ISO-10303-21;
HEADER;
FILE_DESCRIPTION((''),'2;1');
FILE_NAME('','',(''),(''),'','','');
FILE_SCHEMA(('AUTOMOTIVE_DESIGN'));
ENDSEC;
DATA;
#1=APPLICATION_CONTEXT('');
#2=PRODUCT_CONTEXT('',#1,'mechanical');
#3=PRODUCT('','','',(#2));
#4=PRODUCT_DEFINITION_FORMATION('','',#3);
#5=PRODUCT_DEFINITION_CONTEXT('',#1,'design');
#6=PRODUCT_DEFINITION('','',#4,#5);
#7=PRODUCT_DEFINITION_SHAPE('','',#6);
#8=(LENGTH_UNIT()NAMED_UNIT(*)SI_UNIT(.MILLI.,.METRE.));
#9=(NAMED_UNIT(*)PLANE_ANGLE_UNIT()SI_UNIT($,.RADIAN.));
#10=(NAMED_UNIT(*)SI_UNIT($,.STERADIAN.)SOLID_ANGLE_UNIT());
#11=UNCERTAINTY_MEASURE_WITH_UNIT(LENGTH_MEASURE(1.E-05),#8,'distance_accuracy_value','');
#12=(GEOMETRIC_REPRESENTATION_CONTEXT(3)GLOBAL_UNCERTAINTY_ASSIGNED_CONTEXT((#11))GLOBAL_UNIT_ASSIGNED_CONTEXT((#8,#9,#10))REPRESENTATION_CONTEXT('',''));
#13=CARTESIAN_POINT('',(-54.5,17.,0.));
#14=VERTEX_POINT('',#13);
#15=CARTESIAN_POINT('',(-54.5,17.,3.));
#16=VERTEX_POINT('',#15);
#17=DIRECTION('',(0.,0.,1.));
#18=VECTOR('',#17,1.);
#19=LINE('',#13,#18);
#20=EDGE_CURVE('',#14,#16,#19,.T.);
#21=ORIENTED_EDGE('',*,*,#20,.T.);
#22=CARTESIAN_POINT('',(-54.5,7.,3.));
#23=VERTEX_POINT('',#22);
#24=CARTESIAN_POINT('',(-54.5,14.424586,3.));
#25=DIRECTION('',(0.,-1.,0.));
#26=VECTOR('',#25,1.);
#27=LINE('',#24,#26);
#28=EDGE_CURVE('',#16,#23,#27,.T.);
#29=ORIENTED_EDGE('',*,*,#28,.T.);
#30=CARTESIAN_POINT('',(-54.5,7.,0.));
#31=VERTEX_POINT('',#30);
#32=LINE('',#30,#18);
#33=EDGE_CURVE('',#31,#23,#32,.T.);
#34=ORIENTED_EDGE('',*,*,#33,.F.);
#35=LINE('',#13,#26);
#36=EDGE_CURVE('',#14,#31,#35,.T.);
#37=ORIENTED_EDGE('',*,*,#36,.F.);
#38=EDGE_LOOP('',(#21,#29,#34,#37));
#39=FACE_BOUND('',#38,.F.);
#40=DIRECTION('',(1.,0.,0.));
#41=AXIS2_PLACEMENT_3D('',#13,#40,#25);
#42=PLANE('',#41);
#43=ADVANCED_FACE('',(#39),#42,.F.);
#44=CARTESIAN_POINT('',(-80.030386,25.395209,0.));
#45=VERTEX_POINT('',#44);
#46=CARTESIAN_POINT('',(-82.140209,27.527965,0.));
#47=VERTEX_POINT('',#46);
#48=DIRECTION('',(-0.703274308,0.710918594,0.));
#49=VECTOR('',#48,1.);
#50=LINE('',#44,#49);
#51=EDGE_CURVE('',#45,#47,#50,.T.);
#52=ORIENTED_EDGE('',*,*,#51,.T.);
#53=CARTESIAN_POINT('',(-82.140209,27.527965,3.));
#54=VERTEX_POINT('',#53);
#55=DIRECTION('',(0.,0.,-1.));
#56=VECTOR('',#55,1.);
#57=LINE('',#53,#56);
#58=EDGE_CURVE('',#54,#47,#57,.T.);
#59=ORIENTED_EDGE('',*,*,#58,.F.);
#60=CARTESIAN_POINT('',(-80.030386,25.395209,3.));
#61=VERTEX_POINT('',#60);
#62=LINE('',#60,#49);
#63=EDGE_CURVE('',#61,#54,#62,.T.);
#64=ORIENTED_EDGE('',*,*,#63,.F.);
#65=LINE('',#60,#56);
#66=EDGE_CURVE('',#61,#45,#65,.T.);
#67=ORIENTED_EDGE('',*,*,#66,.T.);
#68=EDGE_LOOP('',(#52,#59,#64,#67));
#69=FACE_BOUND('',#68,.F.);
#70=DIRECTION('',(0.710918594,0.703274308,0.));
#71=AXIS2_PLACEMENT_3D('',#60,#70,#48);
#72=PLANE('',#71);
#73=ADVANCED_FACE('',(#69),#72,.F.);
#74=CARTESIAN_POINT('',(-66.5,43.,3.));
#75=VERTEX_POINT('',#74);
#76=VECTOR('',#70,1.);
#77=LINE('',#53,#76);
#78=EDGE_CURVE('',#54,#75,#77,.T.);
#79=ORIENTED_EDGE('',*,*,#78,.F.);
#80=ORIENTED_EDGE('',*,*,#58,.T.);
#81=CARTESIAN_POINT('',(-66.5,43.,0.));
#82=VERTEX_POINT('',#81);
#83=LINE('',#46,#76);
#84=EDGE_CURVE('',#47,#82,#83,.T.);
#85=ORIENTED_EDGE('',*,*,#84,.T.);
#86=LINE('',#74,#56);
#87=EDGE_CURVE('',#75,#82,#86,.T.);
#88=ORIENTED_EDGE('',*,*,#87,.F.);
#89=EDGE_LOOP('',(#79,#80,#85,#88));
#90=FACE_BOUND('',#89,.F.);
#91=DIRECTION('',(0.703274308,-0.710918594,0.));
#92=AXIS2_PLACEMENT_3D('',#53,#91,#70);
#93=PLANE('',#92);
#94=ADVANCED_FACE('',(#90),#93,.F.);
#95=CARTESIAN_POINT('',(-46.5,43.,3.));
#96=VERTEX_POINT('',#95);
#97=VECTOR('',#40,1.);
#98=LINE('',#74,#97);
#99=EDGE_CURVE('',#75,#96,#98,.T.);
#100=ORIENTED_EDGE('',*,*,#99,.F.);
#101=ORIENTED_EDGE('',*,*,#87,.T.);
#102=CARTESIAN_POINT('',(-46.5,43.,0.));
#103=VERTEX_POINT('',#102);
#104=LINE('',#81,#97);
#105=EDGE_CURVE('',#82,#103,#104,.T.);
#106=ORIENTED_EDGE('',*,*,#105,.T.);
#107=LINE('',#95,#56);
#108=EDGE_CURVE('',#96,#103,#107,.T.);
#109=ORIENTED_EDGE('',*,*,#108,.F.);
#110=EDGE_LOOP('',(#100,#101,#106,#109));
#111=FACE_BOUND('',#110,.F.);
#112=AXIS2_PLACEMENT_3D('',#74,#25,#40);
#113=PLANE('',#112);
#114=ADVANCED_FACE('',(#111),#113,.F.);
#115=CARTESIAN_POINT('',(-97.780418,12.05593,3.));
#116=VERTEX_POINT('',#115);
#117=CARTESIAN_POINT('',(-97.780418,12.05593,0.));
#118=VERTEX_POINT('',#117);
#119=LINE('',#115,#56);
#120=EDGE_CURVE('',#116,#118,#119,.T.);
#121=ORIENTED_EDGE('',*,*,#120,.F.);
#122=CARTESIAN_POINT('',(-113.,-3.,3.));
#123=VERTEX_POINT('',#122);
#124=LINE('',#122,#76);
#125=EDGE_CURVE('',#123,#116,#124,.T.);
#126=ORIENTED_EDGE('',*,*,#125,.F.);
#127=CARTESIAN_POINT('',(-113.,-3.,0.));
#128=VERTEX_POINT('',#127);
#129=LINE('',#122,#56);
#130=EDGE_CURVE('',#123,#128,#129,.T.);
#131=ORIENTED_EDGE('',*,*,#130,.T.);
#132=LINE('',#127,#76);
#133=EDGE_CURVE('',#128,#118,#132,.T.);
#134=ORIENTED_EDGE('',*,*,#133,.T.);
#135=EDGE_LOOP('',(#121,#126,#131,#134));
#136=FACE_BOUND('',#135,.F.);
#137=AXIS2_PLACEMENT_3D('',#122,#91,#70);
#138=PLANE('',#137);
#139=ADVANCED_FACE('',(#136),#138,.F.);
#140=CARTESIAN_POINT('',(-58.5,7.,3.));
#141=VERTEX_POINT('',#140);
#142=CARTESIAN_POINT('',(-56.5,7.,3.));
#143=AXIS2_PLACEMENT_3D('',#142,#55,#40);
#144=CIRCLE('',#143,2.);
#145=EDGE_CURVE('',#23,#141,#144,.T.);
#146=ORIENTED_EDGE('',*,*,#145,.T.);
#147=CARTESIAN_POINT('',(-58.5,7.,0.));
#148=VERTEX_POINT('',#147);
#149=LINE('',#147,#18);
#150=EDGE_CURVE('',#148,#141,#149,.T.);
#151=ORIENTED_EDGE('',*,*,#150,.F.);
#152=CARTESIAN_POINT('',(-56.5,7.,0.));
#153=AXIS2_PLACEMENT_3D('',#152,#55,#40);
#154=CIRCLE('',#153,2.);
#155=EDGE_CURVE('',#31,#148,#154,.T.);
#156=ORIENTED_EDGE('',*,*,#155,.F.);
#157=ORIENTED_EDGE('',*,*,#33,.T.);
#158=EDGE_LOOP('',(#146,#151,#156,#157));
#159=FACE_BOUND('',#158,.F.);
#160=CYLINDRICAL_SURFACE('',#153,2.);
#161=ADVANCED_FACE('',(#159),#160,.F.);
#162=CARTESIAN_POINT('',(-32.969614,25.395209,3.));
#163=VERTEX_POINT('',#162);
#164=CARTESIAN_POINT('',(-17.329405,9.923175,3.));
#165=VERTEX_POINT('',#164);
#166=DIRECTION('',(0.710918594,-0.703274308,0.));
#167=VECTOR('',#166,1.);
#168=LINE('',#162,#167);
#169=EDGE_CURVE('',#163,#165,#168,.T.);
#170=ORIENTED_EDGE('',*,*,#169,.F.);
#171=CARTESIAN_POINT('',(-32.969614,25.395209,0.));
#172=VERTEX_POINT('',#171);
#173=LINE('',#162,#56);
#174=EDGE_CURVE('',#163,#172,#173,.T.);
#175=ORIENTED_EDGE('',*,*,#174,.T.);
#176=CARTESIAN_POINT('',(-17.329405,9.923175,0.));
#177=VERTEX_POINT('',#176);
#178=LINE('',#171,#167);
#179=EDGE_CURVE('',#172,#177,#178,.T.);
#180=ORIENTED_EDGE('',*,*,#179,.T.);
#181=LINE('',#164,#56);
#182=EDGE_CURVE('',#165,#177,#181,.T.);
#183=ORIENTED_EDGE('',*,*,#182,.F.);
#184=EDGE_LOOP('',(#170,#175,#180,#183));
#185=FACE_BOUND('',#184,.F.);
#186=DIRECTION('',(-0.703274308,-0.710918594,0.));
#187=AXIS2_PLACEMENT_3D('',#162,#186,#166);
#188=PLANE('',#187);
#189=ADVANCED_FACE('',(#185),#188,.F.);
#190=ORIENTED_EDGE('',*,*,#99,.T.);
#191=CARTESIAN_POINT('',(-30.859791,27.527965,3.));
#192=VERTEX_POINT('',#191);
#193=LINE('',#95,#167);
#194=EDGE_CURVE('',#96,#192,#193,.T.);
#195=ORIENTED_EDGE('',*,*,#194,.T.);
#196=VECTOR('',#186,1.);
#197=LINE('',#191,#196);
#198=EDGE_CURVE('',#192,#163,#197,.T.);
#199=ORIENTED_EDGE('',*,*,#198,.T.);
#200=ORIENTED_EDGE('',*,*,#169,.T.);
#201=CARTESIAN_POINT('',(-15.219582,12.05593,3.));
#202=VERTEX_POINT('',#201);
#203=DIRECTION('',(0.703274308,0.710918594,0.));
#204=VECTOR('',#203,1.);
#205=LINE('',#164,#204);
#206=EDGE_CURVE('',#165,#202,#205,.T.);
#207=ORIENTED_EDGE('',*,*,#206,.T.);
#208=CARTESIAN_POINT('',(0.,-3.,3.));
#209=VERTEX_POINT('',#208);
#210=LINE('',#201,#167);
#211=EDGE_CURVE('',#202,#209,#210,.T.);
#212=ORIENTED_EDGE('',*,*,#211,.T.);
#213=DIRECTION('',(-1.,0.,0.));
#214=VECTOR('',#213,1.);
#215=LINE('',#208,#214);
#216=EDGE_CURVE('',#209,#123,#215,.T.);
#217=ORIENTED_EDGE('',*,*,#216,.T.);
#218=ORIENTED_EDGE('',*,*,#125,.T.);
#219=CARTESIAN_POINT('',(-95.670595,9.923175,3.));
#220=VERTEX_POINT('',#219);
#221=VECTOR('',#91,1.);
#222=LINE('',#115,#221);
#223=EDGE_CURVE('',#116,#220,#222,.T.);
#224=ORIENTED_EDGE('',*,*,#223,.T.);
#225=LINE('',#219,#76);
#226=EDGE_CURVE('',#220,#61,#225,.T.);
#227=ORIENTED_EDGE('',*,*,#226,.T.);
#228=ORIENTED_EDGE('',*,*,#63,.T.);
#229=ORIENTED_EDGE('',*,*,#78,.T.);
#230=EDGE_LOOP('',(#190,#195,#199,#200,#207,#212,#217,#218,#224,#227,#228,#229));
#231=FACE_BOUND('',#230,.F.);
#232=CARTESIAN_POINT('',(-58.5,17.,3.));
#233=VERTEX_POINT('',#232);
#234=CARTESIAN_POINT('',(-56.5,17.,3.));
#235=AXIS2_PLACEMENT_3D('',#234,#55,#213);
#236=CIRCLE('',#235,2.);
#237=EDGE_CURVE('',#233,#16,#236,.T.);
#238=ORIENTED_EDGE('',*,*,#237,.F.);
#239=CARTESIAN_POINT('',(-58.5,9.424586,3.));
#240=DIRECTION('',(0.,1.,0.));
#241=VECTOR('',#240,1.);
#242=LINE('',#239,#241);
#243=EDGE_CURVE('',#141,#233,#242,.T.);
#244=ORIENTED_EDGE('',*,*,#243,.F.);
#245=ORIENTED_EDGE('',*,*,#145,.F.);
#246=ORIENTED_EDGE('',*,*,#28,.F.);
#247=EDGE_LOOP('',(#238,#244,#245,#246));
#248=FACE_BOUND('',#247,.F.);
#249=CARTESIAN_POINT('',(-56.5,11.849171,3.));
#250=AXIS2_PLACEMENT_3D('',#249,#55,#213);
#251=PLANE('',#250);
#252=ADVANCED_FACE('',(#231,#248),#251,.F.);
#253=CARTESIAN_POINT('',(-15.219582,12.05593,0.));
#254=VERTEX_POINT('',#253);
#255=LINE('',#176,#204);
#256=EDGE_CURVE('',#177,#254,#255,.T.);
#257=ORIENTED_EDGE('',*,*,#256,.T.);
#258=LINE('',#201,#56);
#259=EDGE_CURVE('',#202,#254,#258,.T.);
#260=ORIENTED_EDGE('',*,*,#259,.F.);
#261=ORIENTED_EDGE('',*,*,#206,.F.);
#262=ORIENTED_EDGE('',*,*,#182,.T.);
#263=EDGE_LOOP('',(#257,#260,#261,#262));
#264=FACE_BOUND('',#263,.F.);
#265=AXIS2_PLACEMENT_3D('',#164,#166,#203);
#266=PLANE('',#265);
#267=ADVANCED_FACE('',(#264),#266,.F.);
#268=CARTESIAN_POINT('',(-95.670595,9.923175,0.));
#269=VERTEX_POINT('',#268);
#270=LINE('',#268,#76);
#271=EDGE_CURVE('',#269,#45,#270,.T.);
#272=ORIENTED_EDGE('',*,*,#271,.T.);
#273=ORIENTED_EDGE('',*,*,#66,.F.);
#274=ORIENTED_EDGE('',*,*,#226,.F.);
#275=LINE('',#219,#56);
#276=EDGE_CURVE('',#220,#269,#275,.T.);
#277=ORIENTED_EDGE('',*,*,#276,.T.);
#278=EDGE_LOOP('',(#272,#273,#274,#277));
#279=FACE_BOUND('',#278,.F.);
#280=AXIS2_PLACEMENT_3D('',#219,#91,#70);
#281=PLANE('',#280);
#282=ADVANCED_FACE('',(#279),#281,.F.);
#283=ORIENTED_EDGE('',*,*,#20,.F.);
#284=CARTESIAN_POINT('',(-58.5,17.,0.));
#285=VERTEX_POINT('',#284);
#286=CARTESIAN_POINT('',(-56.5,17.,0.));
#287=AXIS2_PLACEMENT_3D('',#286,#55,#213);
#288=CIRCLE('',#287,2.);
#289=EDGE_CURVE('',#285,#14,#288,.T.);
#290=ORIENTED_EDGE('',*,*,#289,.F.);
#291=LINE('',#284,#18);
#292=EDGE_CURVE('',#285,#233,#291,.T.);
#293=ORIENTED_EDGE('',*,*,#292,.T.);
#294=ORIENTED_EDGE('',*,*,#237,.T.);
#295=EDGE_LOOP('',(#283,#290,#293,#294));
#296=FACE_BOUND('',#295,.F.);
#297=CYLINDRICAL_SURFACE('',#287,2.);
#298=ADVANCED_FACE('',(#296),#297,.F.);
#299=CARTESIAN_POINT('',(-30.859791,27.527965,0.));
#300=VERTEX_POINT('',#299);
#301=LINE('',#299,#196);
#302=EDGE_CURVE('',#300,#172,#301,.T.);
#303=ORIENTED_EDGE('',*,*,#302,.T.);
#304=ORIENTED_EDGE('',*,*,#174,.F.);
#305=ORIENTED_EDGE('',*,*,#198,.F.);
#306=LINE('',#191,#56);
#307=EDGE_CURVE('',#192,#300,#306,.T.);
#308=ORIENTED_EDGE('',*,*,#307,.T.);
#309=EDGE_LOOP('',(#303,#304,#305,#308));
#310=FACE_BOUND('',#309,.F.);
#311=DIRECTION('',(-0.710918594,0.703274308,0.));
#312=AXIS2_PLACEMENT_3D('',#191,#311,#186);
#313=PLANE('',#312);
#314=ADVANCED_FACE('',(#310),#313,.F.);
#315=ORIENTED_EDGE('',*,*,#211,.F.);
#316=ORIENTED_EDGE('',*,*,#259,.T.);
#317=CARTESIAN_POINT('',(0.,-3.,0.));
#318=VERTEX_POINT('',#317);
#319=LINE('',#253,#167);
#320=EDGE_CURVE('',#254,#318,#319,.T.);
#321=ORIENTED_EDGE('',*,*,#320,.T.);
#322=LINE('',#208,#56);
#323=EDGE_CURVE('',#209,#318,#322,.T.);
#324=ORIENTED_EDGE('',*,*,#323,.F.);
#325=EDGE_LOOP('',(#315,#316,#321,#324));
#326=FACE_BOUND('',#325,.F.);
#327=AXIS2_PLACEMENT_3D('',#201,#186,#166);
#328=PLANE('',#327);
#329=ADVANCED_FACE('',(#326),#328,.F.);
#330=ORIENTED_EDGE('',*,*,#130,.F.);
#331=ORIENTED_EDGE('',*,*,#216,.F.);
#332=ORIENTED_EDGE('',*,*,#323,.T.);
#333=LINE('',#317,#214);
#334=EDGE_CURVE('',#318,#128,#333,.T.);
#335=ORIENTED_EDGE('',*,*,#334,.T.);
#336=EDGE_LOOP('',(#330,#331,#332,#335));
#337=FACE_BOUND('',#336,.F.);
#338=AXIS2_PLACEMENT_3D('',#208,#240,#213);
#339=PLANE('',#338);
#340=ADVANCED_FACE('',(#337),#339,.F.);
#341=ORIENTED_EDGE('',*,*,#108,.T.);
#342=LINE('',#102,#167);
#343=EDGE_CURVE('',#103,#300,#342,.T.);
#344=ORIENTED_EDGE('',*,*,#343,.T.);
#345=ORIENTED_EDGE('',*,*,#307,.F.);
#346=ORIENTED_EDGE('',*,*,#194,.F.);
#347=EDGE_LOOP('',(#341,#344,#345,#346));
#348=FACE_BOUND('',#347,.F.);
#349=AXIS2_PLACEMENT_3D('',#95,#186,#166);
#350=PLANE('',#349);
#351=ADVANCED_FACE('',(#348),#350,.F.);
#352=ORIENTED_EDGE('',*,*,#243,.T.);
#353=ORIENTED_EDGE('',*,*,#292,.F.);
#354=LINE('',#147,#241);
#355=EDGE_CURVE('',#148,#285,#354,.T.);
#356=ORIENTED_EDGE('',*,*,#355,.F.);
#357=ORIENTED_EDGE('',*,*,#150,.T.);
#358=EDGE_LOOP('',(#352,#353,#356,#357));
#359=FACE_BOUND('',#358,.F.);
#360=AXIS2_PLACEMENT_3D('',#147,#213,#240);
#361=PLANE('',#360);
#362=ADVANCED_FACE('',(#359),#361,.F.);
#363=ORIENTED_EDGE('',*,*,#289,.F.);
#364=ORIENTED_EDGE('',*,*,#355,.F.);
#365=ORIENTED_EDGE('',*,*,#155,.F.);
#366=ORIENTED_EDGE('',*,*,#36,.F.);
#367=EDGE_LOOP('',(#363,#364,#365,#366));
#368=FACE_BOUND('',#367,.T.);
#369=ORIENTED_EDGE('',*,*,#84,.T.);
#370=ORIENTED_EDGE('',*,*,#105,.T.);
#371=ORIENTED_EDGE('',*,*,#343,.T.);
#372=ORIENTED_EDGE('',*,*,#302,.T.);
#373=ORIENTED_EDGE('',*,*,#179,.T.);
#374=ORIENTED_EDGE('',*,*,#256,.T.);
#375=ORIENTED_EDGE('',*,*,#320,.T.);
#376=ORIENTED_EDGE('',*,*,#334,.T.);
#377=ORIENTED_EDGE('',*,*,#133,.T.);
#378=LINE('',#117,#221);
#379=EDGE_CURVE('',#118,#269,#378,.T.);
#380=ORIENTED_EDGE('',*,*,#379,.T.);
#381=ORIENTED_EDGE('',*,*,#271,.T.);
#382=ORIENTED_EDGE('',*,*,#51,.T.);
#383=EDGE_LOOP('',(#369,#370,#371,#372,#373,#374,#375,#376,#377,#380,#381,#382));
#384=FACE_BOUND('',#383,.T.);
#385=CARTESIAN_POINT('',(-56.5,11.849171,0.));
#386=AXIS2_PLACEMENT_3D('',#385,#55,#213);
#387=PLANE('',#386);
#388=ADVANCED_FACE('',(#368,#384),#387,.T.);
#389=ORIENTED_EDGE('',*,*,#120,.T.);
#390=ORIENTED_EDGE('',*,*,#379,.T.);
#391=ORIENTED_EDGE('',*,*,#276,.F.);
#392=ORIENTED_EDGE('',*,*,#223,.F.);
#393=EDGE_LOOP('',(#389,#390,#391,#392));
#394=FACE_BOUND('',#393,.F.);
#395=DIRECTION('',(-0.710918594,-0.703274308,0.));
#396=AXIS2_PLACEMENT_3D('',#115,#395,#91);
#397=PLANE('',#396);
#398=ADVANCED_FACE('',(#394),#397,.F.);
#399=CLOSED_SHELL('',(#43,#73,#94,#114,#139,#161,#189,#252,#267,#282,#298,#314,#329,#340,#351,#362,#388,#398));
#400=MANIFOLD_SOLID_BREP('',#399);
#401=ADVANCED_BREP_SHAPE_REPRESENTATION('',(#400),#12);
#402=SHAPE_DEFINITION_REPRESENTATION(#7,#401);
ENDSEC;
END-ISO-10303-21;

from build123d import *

# Parameters (mm, degrees)
F1_DEPTH = 3
F3_DEPTH = 25
F4_ANGLE = 90
F5_ANGLE = -180


with BuildPart() as f1:
    # F0 (on Front) → F1 (new body)
    with BuildSketch(Plane.XZ):
        Polygon((66.5, 46), (46.5, 46), (30.8597909292, 30.5279652203), (32.9696138537, 28.395209438), (17.329404783, 12.9231746583), (15.2195818585, 15.0559304407), (0, 0), (113, 0), (97.7804181415, 15.0559304407), (95.670595217, 12.9231746583), (80.0303861463, 28.395209438), (82.1402090708, 30.5279652203), align=None)
    extrude(amount=F1_DEPTH)

    # F2 (on face) → F3 (cut)
    with BuildSketch(Plane.XZ.offset(3)):
        with BuildLine():
            Line((58.5, 10), (58.5, 19.6270607412))
            Line((58.5, 19.6270607412), (58.5, 20))
            ThreePointArc((58.5, 20), (56.5, 22), (54.5, 20))
            Line((54.5, 20), (54.5, 10))
            ThreePointArc((54.5, 10), (56.5, 8), (58.5, 10))
        make_face()
    extrude(amount=-F3_DEPTH, mode=Mode.SUBTRACT)


with BuildPart() as f1_1:
    # F4: moved
    add(f1.part.rotate(Axis((56.5, -3, 0), (1, 0, 0)), F4_ANGLE))


with BuildPart() as f1_2:
    # F5: moved
    add(f1_1.part.rotate(Axis((0, -3, 1.5), (0, 0, 1)), F5_ANGLE))


solid = f1_2.part
